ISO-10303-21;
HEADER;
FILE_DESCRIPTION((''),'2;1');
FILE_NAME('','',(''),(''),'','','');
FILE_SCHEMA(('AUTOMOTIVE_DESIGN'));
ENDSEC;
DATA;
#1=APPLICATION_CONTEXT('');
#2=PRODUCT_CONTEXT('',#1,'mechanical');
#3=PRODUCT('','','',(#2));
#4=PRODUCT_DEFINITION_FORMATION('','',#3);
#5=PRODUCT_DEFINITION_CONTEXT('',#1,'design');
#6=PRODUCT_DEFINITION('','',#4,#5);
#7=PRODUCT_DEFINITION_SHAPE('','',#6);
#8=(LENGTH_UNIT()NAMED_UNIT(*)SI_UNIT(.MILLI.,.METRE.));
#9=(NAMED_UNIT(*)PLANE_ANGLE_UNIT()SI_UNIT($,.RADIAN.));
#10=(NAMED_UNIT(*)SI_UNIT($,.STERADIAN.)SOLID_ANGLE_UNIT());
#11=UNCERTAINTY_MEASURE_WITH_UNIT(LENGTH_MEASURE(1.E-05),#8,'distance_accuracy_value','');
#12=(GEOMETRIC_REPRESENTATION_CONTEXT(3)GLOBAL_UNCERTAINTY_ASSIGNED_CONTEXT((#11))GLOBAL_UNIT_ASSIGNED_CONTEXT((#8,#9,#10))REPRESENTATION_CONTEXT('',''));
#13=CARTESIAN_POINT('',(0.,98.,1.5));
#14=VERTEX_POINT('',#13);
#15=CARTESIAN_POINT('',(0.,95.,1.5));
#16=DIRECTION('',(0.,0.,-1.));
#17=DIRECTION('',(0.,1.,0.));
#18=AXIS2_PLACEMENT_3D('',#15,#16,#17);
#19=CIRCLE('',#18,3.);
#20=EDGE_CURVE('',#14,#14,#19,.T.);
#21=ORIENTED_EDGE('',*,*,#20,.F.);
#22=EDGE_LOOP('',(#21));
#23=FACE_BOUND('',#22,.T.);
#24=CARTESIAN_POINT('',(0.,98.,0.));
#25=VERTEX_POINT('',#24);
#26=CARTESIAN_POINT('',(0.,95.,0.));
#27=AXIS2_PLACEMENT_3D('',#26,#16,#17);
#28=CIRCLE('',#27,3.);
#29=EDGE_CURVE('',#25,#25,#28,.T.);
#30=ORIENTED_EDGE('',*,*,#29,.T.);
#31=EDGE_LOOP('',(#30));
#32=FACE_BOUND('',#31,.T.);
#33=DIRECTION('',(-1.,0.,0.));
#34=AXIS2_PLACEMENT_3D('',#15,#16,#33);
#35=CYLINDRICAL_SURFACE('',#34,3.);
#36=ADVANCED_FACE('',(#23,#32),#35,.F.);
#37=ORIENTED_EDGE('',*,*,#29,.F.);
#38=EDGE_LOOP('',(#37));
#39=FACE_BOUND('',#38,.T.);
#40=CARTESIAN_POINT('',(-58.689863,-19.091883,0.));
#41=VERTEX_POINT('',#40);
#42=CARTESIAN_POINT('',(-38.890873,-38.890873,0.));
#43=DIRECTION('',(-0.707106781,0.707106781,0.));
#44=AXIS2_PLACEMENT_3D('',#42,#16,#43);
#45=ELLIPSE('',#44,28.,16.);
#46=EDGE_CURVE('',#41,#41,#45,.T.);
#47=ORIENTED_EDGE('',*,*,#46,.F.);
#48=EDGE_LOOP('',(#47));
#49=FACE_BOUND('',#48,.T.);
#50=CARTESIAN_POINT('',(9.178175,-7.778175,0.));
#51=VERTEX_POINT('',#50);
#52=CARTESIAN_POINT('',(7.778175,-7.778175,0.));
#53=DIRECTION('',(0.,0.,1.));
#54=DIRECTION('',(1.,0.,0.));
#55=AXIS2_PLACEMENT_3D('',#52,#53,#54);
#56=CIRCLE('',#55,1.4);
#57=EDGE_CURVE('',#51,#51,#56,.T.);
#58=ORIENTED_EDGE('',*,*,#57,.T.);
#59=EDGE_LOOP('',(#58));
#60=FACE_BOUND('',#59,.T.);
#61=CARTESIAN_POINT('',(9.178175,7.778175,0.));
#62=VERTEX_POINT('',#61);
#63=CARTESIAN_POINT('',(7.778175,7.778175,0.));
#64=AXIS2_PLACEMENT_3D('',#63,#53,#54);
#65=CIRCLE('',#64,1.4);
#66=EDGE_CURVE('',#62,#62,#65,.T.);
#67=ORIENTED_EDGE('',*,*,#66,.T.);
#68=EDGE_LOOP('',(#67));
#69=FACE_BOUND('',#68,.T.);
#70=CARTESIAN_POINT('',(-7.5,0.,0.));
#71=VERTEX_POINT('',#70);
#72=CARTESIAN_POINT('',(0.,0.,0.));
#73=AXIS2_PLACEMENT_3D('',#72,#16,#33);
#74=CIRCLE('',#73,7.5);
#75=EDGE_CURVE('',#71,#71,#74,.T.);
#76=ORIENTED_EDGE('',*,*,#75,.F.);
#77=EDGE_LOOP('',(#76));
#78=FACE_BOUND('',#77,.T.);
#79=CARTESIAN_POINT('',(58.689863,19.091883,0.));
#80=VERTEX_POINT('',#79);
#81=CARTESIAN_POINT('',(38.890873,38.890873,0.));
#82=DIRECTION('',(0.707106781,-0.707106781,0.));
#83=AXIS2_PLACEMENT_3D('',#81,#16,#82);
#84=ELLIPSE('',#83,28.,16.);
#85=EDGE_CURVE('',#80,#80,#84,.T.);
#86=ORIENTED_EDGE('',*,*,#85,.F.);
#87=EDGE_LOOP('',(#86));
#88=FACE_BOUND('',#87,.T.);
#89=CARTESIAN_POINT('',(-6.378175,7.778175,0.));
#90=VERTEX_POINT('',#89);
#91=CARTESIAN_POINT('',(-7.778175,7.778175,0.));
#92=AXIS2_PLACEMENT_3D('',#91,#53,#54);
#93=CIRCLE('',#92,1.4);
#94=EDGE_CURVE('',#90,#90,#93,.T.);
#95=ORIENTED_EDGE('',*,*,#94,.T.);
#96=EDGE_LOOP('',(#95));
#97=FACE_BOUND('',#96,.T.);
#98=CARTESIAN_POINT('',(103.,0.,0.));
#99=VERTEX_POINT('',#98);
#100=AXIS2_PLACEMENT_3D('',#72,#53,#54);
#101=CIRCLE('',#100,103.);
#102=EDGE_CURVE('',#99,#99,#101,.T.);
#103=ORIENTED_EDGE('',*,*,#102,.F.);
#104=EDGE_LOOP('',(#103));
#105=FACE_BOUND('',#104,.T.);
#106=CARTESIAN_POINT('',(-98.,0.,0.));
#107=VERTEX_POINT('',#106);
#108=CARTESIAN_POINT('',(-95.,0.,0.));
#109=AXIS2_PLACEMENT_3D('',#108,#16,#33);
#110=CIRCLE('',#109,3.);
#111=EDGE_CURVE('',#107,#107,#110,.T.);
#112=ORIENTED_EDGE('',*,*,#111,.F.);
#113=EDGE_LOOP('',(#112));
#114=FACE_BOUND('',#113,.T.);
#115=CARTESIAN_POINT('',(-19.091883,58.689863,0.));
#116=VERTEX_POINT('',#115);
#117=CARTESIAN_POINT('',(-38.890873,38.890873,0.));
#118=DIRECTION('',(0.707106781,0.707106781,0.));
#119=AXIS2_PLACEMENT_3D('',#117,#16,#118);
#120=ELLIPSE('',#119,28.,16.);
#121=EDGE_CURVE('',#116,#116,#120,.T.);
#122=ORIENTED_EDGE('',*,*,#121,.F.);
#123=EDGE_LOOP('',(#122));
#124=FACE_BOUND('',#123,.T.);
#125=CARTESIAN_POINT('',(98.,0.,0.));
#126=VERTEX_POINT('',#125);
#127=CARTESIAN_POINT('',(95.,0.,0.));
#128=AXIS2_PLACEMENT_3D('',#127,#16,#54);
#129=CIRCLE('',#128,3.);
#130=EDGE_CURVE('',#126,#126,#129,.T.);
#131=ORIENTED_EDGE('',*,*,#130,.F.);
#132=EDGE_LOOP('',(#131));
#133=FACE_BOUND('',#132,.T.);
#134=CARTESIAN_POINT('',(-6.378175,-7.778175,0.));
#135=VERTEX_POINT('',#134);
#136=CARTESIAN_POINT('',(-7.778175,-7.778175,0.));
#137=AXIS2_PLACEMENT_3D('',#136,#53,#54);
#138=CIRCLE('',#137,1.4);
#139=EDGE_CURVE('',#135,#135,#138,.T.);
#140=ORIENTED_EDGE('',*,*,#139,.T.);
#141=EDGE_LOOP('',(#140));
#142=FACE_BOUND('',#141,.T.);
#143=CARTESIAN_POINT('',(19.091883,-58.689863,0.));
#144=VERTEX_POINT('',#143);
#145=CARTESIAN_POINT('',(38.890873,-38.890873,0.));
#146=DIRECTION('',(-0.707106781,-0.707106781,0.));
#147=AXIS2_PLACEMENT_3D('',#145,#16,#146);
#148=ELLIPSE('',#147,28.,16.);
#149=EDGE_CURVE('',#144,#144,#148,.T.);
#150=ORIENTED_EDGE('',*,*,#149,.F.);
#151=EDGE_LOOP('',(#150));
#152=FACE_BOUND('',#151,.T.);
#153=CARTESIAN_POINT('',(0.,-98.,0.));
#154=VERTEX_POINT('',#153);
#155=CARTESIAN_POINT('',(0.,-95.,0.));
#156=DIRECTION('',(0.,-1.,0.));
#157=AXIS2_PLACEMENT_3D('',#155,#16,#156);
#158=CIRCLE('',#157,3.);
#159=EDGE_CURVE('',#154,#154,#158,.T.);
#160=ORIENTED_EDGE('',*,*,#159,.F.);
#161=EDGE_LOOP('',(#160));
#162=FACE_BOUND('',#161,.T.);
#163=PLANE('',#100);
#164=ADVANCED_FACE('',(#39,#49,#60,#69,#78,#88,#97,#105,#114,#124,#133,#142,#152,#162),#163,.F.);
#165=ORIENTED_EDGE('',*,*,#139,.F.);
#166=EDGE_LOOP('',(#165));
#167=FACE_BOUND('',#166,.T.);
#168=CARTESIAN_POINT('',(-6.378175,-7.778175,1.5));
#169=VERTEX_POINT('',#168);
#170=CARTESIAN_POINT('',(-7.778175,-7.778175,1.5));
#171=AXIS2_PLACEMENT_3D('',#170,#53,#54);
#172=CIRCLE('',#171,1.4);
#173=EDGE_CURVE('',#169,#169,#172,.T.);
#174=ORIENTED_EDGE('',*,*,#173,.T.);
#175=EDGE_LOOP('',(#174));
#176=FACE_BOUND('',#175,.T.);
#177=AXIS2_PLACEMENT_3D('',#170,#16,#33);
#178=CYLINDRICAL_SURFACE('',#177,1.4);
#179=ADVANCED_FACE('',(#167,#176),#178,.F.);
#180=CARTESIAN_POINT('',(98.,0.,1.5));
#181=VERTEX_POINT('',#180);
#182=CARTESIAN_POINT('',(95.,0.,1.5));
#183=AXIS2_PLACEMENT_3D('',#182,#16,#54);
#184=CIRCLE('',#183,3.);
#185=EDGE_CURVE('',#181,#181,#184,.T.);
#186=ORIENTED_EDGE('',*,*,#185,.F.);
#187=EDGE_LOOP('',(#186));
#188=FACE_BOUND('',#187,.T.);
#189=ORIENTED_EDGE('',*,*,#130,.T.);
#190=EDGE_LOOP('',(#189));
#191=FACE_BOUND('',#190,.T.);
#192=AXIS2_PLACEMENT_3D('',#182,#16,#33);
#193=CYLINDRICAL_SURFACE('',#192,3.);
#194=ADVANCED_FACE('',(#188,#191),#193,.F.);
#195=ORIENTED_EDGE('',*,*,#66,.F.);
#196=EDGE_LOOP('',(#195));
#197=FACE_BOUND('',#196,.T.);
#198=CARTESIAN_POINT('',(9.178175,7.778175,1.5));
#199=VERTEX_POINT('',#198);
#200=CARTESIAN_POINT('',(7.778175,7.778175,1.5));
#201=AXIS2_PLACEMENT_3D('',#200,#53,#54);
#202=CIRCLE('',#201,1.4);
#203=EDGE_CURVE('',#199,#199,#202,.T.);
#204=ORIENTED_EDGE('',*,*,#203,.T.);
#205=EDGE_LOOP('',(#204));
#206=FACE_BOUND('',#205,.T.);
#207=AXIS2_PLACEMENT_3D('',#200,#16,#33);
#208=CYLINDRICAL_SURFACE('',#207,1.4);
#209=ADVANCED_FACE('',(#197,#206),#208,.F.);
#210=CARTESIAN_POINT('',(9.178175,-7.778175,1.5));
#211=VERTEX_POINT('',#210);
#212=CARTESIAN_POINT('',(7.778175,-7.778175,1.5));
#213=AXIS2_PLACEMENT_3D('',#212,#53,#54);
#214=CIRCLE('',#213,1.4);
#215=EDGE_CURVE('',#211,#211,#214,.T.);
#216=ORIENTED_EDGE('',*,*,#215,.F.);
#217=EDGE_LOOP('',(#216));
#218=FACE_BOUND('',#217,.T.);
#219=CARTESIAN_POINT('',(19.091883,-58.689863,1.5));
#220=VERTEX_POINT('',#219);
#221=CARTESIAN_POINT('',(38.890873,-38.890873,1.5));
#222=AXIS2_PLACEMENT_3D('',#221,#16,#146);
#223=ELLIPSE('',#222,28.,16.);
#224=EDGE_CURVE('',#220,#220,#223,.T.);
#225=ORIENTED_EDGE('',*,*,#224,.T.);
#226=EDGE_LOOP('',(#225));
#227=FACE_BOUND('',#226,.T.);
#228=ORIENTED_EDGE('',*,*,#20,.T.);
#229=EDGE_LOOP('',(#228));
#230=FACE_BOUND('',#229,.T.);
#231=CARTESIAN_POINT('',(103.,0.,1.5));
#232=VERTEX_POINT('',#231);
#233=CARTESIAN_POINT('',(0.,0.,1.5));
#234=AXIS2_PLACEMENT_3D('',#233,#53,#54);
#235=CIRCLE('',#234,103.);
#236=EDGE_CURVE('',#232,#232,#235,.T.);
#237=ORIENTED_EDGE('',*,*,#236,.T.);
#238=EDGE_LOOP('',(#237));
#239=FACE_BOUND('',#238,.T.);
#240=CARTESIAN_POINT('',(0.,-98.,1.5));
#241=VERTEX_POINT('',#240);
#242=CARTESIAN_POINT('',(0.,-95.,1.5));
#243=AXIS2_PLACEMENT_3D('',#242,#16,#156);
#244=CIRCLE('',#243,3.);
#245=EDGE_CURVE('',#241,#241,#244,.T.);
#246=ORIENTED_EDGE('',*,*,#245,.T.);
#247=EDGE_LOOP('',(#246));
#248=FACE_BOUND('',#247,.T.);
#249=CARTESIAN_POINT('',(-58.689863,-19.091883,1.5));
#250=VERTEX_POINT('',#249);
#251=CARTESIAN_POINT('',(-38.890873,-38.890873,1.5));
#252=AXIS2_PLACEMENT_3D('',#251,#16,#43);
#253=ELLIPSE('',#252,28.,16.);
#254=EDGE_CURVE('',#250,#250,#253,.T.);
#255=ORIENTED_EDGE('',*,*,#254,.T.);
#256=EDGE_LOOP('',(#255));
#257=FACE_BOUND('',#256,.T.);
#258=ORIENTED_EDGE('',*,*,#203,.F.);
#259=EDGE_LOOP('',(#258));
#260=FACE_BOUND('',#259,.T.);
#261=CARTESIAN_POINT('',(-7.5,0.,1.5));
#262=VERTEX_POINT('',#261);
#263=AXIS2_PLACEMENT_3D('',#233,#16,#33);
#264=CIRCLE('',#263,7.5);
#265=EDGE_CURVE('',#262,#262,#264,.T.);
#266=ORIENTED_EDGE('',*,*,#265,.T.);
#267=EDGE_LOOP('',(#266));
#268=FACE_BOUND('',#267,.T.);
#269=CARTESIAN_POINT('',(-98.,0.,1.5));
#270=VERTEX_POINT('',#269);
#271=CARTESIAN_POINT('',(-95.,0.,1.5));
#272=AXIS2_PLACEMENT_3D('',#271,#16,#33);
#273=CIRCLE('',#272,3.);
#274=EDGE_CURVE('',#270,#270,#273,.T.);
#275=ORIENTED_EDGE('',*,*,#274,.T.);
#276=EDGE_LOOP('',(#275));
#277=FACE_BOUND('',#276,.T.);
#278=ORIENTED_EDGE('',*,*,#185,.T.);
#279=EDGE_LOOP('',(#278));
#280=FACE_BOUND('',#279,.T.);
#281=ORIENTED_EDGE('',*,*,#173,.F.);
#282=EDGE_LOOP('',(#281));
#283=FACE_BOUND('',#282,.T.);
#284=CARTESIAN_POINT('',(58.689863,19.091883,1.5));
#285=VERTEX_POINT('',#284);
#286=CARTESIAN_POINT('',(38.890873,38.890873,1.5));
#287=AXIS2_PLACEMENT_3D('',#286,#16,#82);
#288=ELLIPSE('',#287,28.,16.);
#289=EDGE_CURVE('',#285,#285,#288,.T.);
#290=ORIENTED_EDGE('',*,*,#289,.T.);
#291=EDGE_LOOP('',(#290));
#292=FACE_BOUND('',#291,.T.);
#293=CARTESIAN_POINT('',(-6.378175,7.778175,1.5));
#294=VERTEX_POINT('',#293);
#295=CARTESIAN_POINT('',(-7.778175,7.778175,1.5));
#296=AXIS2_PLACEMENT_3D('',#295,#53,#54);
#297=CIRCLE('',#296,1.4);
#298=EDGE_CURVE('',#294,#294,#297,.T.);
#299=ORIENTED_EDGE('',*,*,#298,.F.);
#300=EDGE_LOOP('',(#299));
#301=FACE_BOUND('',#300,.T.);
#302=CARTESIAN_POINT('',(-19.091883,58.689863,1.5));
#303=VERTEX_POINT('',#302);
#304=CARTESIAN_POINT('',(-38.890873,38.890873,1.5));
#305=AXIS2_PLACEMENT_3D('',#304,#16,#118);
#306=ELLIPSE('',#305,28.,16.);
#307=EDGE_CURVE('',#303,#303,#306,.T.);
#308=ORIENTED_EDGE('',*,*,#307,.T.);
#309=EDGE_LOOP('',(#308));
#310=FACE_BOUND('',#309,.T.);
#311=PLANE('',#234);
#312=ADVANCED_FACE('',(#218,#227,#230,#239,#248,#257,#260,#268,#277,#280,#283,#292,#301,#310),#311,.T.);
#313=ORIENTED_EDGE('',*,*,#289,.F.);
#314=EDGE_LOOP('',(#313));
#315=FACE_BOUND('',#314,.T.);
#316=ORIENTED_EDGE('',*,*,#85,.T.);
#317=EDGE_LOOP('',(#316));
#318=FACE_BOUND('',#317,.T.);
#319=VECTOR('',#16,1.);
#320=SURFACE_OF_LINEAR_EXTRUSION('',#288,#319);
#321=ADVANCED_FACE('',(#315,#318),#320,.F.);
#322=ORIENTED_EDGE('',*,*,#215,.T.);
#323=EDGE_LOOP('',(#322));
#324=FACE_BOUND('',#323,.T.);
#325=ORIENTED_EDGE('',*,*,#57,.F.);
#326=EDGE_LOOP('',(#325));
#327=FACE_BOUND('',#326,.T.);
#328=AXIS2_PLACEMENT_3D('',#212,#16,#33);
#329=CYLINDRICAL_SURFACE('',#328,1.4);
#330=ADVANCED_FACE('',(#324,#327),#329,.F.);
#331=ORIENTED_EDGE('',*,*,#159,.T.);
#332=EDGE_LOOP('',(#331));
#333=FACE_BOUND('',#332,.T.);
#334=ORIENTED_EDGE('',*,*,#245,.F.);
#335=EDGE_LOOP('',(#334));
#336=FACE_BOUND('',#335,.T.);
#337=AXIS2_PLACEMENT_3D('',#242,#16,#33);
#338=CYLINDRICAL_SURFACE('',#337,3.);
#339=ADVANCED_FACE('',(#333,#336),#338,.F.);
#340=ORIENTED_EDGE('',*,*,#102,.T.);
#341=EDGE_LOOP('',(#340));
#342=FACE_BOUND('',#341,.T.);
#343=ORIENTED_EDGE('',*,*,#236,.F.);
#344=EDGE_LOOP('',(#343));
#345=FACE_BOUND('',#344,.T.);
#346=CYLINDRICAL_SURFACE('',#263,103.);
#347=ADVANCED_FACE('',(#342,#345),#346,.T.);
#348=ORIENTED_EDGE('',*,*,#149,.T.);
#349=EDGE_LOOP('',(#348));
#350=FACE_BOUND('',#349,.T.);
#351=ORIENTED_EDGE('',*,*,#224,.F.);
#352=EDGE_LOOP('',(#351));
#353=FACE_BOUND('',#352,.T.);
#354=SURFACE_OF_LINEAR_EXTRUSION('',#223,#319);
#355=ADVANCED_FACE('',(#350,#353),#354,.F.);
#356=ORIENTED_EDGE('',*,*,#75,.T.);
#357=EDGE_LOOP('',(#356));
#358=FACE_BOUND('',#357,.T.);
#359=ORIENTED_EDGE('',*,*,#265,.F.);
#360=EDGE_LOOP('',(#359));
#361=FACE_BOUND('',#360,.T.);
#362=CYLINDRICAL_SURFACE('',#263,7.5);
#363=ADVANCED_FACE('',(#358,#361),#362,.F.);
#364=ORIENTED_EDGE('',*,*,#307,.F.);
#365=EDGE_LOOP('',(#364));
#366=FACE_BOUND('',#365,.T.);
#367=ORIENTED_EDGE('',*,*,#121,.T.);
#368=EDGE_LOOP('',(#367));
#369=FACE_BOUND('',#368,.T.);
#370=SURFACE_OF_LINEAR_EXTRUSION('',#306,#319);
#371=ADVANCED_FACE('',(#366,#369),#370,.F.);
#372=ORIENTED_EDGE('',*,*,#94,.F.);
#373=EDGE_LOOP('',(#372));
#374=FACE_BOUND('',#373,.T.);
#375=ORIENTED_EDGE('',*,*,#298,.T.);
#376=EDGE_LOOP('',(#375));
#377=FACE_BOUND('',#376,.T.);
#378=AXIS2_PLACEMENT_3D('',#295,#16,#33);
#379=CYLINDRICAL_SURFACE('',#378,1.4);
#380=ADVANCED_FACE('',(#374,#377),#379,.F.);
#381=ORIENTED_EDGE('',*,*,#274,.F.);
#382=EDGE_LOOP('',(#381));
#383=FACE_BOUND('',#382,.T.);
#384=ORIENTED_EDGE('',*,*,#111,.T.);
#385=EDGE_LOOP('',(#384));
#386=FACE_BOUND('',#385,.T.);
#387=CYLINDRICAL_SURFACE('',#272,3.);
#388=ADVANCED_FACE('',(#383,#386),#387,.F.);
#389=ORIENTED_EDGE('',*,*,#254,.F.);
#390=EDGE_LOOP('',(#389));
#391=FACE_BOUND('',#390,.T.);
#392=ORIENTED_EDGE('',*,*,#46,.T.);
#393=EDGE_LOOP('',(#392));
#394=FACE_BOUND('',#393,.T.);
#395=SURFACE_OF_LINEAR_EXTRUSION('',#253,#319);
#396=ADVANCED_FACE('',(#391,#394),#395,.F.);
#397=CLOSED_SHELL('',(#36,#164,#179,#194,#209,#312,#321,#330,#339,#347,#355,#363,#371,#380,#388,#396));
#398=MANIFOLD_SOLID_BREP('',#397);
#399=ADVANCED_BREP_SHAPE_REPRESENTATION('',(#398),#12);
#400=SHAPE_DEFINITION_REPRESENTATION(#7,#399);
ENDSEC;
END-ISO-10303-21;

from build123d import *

# Parameters (mm, degrees)
SKETCH1_R          = 103
BASE_DISC_DEPTH    = 1.5
SKETCH3_R          = 3
CUT_EXTRUDE1_DEPTH = 146.671719973
SKETCH4_RX         = 28
SKETCH4_RY         = 16
CUT_EXTRUDE2_DEPTH = 146.671719973
SKETCH2_R          = 7.5
CUT_EXTRUDE3_DEPTH = 146.671720116
CIRPATTERN3_COUNT  = 4
CIRPATTERN4_COUNT  = 4
SKETCH5_R          = 1.4
CUT_EXTRUDE4_DEPTH = 146.671720116


with BuildPart() as part:
    # Sketch1 → Base Disc (new body)
    with BuildSketch(Plane.XY):
        Circle(SKETCH1_R)
    extrude(amount=BASE_DISC_DEPTH)

    # Sketch3 → Cut-Extrude1 (cut, through all)
    with BuildSketch(Plane(origin=(0, 0, 0), x_dir=(-1, 0, 0), z_dir=(0, 0, -1))):
        with Locations((95, 0)):
            Circle(SKETCH3_R)
    cut_extrude1 = extrude(amount=-CUT_EXTRUDE1_DEPTH, mode=Mode.SUBTRACT)

    # Sketch4 → Cut-Extrude2 (cut, through all)
    with BuildSketch(Plane(origin=(0, 0, 0), x_dir=(-1, 0, 0), z_dir=(0, 0, -1))):
        with Locations(Location((38.890872965, 38.890872965), (0, 0, 135))):
            Ellipse(SKETCH4_RX, SKETCH4_RY)
    cut_extrude2 = extrude(amount=-CUT_EXTRUDE2_DEPTH, mode=Mode.SUBTRACT)

    # Sketch2 → Cut-Extrude3 (cut, through all)
    with BuildSketch(Plane(origin=(0, 0, 0), x_dir=(-1, 0, 0), z_dir=(0, 0, -1))):
        Circle(SKETCH2_R)
    extrude(amount=-CUT_EXTRUDE3_DEPTH, mode=Mode.SUBTRACT)

    # CirPattern3: Cut-Extrude1 ×4 about axis
    cirpattern3_axis = Axis((0, 0, 0), (0, 0, 1))
    for i in range(1, CIRPATTERN3_COUNT):
        add(cut_extrude1.rotate(cirpattern3_axis, i * 360 / CIRPATTERN3_COUNT), mode=Mode.SUBTRACT)

    # CirPattern4: Cut-Extrude2 ×4 about axis
    cirpattern4_axis = Axis((0, 0, 0), (0, 0, -1))
    for i in range(1, CIRPATTERN4_COUNT):
        add(cut_extrude2.rotate(cirpattern4_axis, i * 360 / CIRPATTERN4_COUNT), mode=Mode.SUBTRACT)

    # Sketch5 → Cut-Extrude4 (cut, through all)
    with BuildSketch(Plane.XY):
        with Locations((-7.778174593, -7.778174593)):
            Circle(SKETCH5_R)
        with Locations((-7.778174593, 7.778174593)):
            Circle(SKETCH5_R)
        with Locations((7.778174593, 7.778174593)):
            Circle(SKETCH5_R)
        with Locations((7.778174593, -7.778174593)):
            Circle(SKETCH5_R)
    extrude(amount=CUT_EXTRUDE4_DEPTH, mode=Mode.SUBTRACT)


solid = part.part
